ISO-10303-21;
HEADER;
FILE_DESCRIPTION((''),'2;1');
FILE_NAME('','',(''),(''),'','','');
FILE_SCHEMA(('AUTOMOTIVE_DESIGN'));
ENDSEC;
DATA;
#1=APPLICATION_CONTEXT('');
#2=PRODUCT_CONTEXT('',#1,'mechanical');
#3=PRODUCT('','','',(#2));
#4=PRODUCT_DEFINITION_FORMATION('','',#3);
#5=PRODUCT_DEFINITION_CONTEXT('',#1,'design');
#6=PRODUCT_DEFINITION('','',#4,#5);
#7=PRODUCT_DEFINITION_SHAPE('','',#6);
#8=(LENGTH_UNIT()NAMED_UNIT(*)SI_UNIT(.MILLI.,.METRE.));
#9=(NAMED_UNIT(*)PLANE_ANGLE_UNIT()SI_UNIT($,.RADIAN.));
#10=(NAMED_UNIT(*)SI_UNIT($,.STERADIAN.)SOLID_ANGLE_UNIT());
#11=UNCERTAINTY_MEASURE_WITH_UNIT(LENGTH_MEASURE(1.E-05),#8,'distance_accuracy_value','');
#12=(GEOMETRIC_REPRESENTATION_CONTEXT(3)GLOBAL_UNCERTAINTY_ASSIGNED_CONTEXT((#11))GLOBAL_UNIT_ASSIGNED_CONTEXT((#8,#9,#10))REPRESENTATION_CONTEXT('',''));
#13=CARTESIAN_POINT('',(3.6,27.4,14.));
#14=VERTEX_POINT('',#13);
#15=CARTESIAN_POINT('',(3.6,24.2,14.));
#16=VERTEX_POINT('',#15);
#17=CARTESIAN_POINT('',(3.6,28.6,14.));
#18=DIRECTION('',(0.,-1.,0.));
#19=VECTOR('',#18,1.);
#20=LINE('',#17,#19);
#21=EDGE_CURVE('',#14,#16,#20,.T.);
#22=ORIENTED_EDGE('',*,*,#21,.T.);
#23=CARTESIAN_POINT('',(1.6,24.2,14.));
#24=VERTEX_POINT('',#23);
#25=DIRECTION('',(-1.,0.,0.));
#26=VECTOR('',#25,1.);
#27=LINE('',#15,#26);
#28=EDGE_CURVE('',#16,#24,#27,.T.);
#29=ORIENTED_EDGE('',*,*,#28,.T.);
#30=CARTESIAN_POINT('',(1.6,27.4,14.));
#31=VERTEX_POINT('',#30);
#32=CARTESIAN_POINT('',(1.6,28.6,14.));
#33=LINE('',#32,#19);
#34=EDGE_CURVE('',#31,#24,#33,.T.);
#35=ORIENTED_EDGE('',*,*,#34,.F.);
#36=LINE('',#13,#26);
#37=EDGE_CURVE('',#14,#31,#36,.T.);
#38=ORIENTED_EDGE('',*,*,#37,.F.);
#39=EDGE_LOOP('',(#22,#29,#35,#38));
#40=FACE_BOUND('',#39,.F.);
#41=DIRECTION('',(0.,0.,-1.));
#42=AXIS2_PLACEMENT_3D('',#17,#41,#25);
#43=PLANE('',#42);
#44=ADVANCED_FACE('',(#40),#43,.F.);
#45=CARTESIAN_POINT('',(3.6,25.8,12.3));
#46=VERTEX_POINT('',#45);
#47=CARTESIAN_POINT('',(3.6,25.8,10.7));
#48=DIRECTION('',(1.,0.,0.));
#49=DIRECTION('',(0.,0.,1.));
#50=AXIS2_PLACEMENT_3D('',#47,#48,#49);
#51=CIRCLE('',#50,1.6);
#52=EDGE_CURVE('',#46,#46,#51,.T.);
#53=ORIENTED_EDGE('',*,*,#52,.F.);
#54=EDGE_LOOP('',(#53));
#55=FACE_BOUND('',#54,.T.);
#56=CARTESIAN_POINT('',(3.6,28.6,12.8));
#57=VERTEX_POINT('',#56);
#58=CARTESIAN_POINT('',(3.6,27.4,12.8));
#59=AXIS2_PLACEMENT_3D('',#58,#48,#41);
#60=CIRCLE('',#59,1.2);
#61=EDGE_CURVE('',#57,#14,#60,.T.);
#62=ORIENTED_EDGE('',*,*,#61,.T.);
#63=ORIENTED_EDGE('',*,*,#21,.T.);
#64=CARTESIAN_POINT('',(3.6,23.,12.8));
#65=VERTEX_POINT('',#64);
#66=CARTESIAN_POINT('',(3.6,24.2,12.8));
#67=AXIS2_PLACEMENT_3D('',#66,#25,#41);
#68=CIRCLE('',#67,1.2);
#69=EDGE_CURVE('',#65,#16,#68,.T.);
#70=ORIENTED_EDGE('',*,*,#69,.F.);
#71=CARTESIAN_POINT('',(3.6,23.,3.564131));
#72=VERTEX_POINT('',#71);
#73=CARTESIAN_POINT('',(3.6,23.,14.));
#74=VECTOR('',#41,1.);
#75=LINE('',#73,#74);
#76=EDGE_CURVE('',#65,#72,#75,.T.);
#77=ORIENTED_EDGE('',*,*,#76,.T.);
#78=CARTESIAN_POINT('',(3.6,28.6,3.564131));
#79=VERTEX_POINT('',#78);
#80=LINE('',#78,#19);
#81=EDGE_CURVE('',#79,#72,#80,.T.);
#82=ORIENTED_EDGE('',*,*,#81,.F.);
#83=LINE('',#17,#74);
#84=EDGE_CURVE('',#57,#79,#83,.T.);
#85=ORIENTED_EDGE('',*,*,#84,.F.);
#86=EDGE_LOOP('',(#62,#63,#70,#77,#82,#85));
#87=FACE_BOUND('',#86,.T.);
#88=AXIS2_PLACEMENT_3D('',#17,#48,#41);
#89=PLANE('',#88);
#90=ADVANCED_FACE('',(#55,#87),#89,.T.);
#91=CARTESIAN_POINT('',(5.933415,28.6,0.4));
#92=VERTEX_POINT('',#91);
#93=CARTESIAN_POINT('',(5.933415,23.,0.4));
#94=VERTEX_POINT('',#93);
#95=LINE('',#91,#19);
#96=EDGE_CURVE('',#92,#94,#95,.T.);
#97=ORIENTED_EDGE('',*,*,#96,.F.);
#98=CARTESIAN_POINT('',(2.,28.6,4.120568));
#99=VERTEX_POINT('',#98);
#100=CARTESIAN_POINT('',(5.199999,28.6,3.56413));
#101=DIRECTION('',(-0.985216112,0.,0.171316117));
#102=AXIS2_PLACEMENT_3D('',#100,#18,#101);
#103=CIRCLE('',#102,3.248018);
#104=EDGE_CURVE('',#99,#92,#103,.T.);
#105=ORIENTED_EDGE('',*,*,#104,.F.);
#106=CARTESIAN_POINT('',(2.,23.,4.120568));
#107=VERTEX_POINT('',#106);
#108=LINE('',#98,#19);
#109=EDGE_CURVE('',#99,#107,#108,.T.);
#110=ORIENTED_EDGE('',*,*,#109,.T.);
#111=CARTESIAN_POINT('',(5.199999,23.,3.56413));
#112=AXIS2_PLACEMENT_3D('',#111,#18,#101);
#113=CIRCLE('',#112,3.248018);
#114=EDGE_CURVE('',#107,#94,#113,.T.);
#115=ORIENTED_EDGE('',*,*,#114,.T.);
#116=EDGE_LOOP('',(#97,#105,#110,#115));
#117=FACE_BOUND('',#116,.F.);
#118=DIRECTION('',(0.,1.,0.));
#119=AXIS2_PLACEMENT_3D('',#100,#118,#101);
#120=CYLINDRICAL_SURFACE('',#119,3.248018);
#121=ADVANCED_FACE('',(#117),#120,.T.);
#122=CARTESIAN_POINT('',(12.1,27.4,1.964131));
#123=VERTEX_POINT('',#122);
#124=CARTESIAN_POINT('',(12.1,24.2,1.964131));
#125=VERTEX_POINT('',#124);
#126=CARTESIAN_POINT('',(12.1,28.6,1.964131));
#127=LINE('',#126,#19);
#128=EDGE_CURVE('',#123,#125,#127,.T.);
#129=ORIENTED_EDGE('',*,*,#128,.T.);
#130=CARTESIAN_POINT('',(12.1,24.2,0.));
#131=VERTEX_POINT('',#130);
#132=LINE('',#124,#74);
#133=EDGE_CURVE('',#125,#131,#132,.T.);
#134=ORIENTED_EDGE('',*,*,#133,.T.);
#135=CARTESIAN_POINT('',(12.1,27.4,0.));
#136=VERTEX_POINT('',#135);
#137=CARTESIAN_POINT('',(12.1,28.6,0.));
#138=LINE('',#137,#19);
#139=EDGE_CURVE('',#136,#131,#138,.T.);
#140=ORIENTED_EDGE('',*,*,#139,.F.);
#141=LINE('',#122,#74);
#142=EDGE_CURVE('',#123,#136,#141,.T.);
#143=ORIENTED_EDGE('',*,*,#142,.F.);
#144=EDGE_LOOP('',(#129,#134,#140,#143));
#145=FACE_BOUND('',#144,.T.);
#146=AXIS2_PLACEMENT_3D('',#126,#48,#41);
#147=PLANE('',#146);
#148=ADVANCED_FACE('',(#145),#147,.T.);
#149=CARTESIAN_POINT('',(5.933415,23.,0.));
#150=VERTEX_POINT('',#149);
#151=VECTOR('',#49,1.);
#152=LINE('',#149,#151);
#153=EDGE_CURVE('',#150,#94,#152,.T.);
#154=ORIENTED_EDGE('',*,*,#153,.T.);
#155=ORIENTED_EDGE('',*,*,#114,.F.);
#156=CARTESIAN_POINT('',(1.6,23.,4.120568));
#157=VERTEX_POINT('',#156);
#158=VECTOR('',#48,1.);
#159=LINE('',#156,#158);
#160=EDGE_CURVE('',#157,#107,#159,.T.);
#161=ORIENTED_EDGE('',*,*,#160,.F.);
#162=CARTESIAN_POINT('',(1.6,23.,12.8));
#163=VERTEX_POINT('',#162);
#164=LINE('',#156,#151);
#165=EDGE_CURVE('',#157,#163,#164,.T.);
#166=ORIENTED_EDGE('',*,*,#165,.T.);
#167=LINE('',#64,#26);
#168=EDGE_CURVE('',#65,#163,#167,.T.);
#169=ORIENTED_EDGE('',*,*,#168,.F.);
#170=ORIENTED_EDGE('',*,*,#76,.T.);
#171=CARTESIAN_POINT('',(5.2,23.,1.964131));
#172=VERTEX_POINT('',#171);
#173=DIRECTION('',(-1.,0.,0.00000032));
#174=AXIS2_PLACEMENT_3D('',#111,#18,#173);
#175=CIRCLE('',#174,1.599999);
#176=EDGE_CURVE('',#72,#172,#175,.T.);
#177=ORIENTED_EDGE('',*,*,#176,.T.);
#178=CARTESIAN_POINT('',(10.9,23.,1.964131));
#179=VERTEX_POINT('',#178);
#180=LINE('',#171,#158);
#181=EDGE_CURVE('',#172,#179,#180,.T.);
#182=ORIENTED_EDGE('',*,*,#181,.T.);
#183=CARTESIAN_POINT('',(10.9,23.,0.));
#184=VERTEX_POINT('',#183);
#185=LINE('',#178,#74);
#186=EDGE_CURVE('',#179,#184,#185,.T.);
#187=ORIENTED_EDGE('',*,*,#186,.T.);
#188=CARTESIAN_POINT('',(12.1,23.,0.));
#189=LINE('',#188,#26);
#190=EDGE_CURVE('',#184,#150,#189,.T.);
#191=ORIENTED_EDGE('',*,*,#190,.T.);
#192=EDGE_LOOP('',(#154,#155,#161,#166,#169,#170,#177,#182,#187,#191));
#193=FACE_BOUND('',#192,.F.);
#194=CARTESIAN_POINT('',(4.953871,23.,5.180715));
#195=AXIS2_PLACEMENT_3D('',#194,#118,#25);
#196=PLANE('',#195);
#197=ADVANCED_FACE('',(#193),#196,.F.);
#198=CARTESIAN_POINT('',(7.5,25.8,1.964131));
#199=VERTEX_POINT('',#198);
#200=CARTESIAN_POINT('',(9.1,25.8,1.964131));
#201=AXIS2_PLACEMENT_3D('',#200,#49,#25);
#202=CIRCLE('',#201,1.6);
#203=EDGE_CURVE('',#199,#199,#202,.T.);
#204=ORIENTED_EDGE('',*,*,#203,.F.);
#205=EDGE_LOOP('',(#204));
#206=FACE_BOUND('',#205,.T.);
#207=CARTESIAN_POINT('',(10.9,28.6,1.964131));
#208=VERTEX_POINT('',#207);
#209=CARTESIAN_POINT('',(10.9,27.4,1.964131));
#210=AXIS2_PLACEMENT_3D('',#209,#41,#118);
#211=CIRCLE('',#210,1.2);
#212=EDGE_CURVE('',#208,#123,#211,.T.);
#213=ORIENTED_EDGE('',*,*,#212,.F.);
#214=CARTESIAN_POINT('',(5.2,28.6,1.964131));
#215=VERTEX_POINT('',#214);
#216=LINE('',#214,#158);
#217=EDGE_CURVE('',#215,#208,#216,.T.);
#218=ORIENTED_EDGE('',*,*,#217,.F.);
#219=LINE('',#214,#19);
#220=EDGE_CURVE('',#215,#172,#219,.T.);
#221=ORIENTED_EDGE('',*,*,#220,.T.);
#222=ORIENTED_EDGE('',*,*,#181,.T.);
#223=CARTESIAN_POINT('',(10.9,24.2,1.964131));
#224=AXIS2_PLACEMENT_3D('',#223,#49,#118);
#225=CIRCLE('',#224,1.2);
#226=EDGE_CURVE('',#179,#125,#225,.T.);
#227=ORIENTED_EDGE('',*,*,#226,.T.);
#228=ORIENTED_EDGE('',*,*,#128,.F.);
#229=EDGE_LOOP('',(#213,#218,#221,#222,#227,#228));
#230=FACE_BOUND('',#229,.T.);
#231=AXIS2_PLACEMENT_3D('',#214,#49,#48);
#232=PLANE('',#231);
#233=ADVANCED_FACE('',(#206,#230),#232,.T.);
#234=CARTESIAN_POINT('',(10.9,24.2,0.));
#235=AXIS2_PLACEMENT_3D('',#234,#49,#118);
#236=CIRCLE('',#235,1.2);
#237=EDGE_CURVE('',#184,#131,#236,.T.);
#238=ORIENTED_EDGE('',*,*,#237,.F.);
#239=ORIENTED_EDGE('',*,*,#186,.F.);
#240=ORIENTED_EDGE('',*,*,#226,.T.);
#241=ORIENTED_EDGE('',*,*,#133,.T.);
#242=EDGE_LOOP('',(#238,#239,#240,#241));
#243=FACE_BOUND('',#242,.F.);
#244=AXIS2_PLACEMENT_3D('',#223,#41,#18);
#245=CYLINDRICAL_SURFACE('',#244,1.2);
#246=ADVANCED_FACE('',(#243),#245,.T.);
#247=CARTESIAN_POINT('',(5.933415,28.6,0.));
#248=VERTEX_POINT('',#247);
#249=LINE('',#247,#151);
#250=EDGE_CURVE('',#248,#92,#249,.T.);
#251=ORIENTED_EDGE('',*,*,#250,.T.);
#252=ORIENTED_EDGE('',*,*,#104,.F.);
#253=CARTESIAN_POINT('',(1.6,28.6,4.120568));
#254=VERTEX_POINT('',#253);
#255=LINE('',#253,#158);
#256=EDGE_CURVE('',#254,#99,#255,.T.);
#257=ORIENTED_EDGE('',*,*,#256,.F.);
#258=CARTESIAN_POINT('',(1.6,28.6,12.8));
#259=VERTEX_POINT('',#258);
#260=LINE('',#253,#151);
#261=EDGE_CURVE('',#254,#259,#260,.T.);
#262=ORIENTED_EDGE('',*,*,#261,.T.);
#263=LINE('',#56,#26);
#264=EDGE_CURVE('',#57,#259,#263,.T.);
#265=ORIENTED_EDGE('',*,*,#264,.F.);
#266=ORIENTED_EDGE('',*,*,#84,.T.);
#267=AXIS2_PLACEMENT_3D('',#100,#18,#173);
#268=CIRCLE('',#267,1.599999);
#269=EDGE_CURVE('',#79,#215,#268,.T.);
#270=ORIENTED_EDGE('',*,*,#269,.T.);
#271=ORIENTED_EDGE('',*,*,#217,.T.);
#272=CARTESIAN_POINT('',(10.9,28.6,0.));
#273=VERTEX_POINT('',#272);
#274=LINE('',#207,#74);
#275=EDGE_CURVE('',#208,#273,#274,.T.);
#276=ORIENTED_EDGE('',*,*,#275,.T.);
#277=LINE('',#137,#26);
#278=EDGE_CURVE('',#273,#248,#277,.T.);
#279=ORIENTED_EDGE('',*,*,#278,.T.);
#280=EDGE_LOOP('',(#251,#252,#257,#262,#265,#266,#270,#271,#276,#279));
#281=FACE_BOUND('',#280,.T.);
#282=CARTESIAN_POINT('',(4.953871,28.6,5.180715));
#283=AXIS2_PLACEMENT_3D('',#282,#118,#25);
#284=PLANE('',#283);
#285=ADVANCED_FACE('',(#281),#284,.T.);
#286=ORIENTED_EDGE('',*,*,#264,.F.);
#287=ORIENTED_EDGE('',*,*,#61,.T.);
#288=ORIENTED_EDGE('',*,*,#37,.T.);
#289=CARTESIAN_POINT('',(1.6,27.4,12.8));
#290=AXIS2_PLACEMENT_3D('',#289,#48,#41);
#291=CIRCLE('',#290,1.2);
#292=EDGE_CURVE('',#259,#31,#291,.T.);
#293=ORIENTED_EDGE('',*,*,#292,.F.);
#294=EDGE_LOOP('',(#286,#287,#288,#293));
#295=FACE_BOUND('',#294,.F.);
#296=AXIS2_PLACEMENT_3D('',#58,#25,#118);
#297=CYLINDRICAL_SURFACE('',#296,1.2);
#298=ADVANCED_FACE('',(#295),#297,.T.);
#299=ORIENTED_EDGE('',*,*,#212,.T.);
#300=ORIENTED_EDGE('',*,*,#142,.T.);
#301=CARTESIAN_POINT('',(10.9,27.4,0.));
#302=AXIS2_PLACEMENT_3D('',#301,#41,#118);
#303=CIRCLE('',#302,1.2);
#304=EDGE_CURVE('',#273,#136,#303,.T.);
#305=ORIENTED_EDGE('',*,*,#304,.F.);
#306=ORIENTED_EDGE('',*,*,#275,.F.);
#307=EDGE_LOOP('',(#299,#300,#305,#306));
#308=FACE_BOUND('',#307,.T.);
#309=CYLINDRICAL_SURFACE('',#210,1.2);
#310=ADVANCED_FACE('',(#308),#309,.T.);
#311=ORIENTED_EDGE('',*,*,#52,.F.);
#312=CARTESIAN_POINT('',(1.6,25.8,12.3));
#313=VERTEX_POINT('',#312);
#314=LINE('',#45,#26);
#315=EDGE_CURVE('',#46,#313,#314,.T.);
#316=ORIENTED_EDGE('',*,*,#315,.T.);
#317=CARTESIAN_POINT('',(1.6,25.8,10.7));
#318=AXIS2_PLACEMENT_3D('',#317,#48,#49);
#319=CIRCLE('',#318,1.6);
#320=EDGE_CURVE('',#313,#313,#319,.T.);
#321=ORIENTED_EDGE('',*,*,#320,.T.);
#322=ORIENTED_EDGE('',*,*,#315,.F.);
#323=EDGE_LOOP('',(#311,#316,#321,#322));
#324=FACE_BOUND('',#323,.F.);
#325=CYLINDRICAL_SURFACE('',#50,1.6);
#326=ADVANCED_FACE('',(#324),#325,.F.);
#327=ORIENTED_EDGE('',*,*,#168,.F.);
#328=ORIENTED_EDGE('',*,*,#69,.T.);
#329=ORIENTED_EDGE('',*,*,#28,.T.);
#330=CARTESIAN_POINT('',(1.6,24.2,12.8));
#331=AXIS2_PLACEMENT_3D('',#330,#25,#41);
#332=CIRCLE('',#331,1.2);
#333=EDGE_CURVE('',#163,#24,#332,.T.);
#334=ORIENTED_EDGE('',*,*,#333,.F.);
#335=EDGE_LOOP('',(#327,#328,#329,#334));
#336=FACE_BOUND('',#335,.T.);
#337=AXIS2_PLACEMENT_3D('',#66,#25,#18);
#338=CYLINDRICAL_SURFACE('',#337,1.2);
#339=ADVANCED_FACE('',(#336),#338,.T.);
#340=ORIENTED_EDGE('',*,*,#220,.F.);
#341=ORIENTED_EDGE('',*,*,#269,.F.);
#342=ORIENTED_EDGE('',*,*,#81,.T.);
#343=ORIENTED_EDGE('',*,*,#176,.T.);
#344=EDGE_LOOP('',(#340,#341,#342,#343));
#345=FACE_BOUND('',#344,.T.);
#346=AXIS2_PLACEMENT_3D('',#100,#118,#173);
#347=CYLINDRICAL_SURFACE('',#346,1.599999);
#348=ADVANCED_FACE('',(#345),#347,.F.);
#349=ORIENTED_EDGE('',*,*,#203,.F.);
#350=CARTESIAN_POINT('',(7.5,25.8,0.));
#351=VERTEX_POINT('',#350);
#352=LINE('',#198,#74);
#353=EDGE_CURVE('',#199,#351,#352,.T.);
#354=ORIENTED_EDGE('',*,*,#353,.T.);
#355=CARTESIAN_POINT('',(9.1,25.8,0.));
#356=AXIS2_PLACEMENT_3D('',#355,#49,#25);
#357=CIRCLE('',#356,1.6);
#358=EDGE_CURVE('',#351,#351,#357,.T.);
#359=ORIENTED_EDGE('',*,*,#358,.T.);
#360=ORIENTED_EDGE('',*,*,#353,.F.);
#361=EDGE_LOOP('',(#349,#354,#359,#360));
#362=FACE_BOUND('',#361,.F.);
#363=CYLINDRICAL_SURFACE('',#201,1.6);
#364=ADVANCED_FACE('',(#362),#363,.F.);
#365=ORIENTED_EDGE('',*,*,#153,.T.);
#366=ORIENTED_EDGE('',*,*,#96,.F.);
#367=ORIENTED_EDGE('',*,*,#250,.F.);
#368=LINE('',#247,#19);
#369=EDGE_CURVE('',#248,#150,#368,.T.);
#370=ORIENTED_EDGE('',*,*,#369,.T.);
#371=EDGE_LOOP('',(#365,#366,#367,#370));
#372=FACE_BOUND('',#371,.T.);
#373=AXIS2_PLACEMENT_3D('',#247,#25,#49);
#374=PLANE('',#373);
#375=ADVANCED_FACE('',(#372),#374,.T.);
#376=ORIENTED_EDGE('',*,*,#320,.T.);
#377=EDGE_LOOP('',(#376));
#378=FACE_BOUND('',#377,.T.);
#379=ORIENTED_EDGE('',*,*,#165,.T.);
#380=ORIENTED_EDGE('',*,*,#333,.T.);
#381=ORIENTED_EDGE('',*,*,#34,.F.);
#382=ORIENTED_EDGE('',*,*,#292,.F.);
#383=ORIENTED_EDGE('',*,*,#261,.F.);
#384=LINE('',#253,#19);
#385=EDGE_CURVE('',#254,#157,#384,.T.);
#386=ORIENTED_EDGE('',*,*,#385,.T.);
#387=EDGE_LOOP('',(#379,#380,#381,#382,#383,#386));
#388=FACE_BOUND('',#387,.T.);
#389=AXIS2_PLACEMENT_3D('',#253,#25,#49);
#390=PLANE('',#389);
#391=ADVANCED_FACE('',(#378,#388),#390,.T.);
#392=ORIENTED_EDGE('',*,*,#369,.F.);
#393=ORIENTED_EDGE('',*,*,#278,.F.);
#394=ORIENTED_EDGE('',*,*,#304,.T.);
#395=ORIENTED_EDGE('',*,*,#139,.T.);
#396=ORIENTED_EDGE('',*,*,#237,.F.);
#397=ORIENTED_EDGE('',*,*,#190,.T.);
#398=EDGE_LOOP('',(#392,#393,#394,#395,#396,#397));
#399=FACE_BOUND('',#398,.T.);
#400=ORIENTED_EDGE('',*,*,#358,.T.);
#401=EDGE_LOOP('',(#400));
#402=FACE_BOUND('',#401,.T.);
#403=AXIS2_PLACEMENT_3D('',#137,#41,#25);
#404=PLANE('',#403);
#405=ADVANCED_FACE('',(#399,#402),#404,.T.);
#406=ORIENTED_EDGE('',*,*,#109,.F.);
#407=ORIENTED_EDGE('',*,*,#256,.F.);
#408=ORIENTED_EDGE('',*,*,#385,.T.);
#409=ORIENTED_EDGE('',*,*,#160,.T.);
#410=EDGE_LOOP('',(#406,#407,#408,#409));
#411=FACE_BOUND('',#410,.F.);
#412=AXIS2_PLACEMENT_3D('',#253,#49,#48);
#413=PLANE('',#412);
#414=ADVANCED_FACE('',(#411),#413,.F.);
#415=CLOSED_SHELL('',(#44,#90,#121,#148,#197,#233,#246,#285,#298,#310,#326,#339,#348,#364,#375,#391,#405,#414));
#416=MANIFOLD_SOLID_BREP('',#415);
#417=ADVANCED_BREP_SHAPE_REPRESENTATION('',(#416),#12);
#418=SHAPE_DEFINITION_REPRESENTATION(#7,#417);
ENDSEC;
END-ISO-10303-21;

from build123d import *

# Parameters (mm, degrees)
PAD007_DEPTH    = 5.6
SKETCH011_R     = 1.6
POCKET002_DEPTH = 2
SKETCH012_R     = 1.6
POCKET003_DEPTH = 2
FILLET001_R     = 1.2


with BuildPart() as part:
    # Sketch010 → Pad007 (new body)
    with BuildSketch(Plane.XZ):
        with BuildLine():
            Line((0, 4.120568), (0, 14))
            Line((2, 14), (0, 14))
            Line((2, 14), (2, 3.564131))
            ThreePointArc((2, 3.564131), (2.468629, 2.43276), (3.6, 1.964131))
            Line((3.6, 1.964131), (10.5, 1.964131))
            Line((10.5, 1.964131), (10.5, 0))
            Line((10.5, 0), (4.333415, 0))
            Line((4.333415, 0), (4.333415, 0.4))
            ThreePointArc((0.4, 4.120568), (1.368035, 1.204479), (4.333415, 0.4))
            Line((0, 4.120568), (0.4, 4.120568))
        make_face()
    extrude(amount=PAD007_DEPTH)

    # Sketch011 (on Face4 of Pad007) → Pocket002 (cut)
    with BuildSketch(Plane(origin=(2, 0, 0), x_dir=(0, 0, 1), z_dir=(1, 0, 0))):
        with Locations((10.7, 2.8)):
            Circle(SKETCH011_R)
    extrude(amount=-POCKET002_DEPTH, mode=Mode.SUBTRACT)

    # Sketch012 (on Face11 of Pocket002) → Pocket003 (cut)
    with BuildSketch(Plane(origin=(0, 0, 1.964131), x_dir=(-1, 0, 0), z_dir=(0, 0, 1))):
        with Locations((-7.5, 2.8)):
            Circle(SKETCH012_R)
    extrude(amount=-POCKET003_DEPTH, mode=Mode.SUBTRACT)

    # Fillet001
    fillet001_edges = [part.edges().sort_by_distance(p)[0] for p in [
        (1, 0, 14),
        (1, -5.6, 14),
        (10.5, -5.6, 0.982065),
        (10.5, 0, 0.982065),
    ]]
    fillet(fillet001_edges, radius=FILLET001_R)


with BuildPart() as part_1:
    # Body005 placement: moved
    add(part.part.moved(Location((1.6, 28.6, 0))))


solid = part_1.part
